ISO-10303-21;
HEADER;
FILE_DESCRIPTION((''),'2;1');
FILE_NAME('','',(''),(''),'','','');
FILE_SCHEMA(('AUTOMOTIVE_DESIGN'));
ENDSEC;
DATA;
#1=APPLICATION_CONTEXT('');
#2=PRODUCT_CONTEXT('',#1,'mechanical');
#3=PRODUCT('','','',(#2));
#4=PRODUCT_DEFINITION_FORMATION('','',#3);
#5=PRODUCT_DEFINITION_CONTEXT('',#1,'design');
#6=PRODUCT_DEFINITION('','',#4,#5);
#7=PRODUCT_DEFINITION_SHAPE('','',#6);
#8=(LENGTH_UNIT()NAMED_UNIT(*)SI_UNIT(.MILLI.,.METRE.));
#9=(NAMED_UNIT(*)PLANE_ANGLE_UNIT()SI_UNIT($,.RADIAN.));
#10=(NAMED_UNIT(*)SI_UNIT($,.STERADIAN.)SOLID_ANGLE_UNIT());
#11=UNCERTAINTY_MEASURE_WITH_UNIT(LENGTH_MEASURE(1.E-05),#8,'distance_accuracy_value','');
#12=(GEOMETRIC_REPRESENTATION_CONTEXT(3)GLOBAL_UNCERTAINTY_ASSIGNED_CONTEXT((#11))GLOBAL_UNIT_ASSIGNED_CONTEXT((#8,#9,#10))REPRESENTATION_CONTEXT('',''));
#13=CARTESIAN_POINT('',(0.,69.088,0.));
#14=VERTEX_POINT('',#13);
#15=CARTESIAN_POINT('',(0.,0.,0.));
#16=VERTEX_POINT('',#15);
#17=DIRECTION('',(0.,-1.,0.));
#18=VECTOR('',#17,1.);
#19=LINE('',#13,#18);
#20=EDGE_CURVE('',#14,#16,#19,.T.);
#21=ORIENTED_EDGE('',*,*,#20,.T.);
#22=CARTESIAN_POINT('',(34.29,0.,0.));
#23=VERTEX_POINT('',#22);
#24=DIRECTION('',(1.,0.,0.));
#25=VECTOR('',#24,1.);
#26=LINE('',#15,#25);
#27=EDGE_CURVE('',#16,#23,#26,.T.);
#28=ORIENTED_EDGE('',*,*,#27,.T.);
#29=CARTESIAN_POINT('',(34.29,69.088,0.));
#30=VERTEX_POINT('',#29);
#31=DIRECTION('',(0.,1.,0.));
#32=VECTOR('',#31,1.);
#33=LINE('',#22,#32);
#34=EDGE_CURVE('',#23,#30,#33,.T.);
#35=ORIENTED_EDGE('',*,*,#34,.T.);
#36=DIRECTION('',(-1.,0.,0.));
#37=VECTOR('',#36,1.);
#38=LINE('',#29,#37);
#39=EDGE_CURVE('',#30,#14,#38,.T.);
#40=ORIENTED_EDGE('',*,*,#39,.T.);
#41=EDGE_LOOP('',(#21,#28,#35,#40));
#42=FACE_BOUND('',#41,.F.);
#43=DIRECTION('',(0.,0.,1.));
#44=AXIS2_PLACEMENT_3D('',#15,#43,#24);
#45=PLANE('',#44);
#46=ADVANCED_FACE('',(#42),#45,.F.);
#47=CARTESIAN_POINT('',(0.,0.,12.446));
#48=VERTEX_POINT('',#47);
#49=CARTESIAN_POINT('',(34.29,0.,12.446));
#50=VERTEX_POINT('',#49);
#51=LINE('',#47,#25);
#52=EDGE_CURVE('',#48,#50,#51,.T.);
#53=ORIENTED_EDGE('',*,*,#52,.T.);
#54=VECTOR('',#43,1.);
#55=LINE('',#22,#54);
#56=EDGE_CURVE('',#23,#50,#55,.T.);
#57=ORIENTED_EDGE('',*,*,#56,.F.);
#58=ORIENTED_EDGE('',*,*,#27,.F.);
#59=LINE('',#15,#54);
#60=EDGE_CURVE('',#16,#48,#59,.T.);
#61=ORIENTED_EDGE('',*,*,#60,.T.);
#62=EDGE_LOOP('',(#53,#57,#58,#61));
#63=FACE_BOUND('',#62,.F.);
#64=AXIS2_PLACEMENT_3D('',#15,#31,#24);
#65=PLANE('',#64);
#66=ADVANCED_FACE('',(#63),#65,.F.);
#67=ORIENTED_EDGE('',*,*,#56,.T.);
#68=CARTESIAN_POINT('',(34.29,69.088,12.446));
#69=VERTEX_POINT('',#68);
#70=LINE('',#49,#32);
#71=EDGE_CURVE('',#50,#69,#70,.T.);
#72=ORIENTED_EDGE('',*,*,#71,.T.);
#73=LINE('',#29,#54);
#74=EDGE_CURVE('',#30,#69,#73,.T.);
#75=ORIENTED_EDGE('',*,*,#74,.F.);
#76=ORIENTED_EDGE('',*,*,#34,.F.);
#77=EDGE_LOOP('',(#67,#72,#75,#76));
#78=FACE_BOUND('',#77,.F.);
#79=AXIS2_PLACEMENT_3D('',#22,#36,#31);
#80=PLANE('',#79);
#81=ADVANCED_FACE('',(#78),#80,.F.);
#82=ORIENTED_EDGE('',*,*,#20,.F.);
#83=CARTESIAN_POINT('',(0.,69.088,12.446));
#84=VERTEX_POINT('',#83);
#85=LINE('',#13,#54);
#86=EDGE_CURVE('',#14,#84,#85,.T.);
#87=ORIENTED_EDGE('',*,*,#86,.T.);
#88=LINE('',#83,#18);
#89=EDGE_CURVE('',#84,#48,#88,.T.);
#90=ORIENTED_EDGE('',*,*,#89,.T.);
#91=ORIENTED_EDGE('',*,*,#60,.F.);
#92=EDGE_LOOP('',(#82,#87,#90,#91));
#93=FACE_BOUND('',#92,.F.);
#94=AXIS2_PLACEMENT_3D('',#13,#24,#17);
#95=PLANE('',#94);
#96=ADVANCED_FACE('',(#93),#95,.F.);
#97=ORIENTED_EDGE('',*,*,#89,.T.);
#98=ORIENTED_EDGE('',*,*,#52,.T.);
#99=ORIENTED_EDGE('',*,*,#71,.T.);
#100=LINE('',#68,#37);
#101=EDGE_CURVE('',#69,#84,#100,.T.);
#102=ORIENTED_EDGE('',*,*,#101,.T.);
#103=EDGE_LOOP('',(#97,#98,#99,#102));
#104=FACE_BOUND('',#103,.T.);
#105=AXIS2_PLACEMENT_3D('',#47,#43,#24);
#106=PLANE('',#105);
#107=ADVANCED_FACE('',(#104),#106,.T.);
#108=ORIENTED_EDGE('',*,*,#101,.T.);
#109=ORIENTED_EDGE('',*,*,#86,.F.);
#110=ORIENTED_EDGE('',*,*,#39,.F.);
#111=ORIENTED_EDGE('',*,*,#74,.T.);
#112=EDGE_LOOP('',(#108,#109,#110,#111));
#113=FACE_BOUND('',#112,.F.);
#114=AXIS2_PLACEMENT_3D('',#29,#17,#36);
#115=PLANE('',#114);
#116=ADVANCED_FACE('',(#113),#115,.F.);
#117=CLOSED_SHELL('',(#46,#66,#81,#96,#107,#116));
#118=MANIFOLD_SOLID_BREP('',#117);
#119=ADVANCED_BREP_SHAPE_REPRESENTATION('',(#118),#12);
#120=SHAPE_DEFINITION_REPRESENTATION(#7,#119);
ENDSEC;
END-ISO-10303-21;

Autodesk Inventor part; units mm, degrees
ref_plane "YZ Plane" through (0, 0, 0) normal (1, 0, 0) x (0, 1, 0)
ref_plane "XZ Plane" through (0, 0, 0) normal (0, 1, 0) x (-1, 0, 0)
ref_plane "XY Plane" through (0, 0, 0) normal (0, 0, 1) x (1, 0, 0)
sketch "Sketch1" plane through (0, 0, 0) normal (0, 0, 1) x (1, 0, 0)
  line L0 (0, 0) -> (34.29, 0)
  line L1 (34.29, 0) -> (34.29, 69.088)
  line L2 (34.29, 69.088) -> (0, 69.088)
  line L3 (0, 69.088) -> (0, 0)
  dimension "d0" = 34.29
  dimension "d1" = 69.088
extrude "Extrusion1" add sketch "Sketch1" along normal blind 12.446
properties part number "msheehan_battery"
